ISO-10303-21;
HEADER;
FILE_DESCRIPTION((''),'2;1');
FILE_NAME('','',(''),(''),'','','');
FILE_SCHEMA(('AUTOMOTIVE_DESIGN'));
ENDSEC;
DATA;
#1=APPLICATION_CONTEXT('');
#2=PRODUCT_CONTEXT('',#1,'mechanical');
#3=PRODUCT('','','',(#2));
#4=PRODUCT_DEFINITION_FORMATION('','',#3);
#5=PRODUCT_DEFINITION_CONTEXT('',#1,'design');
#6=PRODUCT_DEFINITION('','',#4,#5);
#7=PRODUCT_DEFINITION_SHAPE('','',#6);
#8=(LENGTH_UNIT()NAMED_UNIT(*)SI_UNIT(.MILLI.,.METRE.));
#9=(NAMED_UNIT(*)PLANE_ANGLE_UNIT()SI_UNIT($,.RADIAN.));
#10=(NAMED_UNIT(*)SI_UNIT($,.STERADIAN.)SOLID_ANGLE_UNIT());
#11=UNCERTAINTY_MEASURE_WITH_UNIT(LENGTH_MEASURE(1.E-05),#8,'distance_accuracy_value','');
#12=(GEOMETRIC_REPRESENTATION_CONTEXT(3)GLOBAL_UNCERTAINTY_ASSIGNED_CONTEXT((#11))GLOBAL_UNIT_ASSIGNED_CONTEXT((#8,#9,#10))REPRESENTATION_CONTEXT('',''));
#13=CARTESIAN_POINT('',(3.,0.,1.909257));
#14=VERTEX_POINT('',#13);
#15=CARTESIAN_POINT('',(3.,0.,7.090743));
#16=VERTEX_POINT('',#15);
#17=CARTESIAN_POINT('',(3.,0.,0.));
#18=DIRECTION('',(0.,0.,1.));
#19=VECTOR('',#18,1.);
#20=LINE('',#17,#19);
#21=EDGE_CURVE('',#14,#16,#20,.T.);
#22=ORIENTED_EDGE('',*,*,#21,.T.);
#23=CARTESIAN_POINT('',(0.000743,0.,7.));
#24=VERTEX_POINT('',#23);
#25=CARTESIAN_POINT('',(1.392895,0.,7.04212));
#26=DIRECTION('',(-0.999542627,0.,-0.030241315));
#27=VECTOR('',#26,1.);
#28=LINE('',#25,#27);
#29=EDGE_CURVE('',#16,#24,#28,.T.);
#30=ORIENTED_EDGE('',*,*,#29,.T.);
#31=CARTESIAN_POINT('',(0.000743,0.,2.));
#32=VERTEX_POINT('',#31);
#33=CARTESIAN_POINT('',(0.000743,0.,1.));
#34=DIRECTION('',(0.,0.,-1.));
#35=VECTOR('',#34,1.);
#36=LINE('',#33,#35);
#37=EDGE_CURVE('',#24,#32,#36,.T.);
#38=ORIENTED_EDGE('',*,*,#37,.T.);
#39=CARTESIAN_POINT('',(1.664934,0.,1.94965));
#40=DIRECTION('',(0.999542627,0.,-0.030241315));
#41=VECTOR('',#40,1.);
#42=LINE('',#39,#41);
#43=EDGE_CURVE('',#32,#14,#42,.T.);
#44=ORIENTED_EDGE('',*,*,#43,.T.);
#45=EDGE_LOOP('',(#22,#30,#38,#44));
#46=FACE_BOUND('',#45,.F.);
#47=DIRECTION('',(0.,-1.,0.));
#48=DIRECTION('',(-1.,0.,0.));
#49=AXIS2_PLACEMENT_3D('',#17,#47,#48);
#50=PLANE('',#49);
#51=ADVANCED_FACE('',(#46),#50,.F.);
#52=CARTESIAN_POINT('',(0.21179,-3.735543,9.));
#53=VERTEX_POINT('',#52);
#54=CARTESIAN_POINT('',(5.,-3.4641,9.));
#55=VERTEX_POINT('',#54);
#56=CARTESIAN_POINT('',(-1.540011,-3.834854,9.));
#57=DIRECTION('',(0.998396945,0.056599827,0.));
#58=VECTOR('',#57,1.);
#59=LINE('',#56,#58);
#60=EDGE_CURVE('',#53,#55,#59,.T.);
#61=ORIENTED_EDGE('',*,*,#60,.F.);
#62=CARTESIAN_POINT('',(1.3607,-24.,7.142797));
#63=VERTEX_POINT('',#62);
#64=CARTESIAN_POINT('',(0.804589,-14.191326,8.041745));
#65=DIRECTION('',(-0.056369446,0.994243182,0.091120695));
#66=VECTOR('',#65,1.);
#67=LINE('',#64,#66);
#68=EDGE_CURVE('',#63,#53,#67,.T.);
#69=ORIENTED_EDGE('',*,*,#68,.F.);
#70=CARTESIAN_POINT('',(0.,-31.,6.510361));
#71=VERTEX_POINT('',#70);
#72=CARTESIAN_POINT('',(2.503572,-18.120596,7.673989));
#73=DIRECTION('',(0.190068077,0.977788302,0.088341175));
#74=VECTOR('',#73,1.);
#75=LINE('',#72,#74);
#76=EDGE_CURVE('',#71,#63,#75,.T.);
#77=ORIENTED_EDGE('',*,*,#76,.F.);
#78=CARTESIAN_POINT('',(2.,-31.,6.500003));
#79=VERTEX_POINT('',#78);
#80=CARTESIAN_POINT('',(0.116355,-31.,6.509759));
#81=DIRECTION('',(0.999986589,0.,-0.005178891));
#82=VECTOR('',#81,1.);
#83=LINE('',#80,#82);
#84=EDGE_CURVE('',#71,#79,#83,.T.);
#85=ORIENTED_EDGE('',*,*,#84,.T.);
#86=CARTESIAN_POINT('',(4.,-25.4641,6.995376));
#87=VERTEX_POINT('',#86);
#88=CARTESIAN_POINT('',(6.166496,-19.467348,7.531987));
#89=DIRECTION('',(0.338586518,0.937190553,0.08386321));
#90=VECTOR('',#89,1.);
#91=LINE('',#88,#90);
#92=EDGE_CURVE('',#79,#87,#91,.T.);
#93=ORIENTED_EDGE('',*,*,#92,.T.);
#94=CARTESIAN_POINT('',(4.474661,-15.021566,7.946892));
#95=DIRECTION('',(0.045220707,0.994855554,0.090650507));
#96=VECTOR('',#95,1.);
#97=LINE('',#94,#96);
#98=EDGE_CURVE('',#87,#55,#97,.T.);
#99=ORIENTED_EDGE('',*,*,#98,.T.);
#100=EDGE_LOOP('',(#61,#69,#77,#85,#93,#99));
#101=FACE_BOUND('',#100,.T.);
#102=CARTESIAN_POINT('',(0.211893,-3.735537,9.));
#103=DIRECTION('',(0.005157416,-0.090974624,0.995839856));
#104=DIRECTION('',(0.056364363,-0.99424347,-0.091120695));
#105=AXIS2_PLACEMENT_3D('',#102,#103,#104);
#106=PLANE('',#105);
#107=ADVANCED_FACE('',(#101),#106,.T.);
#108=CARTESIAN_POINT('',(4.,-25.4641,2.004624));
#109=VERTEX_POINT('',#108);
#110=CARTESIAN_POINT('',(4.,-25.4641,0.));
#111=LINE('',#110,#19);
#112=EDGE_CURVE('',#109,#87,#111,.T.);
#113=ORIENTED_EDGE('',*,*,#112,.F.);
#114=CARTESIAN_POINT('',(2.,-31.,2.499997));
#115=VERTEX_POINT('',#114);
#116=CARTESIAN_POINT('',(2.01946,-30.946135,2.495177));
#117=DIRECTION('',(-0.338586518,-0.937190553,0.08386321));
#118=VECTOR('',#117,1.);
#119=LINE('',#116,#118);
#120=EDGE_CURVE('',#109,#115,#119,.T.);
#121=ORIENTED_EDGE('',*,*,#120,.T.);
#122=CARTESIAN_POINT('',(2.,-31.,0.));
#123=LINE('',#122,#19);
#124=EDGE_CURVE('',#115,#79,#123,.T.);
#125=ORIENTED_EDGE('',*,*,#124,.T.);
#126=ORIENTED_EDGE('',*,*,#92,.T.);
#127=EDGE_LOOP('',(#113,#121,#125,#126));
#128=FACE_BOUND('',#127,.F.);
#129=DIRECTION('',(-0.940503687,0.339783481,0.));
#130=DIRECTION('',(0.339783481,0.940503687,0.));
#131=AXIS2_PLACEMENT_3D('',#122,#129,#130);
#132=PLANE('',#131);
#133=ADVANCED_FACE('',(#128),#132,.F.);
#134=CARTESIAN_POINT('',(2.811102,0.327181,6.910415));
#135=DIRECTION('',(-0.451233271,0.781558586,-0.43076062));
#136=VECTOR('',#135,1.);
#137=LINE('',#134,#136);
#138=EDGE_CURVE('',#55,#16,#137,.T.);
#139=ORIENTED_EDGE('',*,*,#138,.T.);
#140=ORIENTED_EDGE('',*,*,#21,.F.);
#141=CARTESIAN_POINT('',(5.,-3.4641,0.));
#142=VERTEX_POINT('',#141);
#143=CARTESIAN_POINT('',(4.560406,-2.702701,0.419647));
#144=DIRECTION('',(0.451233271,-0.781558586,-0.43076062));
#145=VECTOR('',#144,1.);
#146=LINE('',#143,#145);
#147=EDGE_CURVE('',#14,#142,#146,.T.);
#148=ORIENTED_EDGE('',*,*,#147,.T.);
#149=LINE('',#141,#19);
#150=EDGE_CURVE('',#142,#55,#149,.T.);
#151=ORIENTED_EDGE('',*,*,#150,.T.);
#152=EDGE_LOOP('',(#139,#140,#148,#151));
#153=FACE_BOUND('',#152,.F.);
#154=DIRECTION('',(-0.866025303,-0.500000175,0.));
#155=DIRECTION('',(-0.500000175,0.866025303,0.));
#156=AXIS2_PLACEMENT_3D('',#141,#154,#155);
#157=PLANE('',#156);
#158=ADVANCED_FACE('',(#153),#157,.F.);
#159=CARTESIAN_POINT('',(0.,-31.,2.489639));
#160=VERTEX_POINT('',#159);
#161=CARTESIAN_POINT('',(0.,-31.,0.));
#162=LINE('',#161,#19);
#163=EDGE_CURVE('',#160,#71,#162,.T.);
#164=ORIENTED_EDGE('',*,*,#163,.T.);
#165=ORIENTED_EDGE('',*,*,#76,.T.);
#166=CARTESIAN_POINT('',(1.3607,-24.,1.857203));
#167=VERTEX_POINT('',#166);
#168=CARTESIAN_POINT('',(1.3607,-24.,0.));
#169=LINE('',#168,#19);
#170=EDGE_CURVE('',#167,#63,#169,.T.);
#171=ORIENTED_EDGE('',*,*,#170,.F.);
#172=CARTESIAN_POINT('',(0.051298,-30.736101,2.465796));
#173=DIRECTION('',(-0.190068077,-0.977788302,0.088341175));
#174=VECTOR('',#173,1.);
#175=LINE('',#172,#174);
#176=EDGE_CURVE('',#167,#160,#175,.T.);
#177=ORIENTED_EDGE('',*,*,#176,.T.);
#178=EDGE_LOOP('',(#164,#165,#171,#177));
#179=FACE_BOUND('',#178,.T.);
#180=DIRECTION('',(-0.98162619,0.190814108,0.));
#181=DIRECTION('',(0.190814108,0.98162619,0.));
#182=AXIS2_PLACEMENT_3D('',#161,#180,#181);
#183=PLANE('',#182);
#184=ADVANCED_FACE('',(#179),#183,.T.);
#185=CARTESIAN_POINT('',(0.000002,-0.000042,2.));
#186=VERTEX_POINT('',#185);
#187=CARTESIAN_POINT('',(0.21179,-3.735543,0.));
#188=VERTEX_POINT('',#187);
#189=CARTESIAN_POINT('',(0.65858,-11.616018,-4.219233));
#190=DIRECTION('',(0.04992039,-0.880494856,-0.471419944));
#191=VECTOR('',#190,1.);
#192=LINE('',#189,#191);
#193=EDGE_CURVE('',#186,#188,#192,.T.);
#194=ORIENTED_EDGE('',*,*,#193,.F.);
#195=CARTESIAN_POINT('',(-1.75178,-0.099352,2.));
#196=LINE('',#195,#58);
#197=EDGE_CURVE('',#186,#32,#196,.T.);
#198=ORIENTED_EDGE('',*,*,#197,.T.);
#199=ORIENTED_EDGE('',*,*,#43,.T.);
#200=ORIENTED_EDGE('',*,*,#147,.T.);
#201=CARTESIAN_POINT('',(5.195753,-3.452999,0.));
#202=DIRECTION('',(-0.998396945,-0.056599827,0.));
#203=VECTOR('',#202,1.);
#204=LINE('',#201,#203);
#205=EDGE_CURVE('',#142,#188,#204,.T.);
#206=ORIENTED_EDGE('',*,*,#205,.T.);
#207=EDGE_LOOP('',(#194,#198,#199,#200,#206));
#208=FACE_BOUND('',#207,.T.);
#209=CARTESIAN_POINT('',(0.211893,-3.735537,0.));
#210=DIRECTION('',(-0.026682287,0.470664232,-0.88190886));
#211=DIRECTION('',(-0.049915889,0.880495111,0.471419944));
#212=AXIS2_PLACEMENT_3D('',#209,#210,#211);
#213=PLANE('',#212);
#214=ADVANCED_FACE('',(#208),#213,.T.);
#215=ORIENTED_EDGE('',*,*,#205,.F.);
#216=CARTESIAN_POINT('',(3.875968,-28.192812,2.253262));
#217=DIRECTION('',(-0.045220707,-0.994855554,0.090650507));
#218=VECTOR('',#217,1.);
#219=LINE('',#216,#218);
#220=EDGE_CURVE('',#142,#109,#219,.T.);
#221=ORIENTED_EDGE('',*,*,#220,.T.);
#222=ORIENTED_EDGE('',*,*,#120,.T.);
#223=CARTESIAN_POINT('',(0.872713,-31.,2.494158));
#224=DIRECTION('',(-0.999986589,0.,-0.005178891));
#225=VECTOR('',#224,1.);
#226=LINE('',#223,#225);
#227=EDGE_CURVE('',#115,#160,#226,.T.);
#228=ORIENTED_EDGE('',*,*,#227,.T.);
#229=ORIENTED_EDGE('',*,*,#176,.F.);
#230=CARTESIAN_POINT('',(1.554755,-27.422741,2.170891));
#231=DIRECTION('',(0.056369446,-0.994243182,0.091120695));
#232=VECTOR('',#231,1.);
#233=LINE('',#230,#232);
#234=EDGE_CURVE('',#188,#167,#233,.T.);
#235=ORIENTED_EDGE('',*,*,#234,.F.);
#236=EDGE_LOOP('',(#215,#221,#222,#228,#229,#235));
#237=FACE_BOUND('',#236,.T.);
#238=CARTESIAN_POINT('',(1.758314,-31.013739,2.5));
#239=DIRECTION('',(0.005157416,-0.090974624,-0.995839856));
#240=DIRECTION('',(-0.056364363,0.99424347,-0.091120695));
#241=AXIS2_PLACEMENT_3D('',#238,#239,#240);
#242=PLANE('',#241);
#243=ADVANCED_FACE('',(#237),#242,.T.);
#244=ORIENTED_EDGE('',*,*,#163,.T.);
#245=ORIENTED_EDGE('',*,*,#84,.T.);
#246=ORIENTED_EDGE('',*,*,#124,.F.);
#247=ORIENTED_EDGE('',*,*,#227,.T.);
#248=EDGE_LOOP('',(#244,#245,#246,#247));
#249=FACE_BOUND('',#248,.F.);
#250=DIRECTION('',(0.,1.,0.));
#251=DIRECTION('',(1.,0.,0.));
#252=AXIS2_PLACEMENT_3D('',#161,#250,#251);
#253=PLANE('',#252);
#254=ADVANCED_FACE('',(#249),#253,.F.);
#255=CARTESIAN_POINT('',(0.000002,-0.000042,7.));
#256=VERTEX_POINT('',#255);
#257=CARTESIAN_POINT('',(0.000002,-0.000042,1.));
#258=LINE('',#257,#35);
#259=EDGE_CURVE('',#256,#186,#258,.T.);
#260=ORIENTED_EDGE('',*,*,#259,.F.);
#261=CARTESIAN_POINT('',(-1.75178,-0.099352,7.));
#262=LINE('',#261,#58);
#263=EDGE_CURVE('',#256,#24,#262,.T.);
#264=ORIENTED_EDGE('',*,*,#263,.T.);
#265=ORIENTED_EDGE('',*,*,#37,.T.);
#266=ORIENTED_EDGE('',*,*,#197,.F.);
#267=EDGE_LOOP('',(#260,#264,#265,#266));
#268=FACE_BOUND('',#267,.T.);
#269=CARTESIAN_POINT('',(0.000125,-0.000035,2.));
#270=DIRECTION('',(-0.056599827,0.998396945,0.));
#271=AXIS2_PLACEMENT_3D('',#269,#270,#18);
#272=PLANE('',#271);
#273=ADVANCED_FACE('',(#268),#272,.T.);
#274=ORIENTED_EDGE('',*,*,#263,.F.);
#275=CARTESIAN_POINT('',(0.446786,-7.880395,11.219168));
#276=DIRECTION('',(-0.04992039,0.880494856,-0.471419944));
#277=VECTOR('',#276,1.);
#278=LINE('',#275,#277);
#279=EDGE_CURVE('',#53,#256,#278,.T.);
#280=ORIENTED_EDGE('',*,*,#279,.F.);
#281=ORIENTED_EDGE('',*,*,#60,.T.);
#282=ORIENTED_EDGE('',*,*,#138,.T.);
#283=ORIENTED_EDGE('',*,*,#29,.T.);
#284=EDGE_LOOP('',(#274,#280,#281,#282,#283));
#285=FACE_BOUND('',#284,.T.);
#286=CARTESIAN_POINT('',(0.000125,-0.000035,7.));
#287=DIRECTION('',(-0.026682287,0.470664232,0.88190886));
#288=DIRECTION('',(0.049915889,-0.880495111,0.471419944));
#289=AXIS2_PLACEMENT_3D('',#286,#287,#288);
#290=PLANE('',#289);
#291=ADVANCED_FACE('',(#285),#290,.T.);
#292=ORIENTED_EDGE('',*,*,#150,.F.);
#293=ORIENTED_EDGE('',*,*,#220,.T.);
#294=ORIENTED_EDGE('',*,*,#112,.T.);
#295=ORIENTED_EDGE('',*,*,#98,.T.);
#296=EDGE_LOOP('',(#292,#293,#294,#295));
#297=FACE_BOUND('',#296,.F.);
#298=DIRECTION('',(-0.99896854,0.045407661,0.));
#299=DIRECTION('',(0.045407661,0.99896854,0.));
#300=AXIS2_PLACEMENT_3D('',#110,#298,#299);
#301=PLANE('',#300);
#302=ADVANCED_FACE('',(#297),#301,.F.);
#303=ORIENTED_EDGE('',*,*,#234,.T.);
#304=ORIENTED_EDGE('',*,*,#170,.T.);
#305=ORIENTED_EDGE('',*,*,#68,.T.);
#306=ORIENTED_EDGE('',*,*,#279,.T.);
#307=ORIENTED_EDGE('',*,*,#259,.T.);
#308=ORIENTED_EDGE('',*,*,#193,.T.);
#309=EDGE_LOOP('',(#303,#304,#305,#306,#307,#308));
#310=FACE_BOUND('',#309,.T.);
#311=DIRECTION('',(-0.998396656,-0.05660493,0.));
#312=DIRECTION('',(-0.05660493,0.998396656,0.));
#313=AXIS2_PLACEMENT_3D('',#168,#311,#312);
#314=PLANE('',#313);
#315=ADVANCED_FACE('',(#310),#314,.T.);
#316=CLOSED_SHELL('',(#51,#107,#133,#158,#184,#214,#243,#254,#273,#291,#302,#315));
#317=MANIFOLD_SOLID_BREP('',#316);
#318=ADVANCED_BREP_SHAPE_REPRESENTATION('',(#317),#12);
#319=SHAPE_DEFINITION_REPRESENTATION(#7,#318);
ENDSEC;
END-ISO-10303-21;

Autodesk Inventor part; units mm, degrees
ref_plane "YZ Plane" through (0, 0, 0) normal (1, 0, 0) x (0, 1, 0)
ref_plane "XZ Plane" through (0, 0, 0) normal (0, 1, 0) x (-1, 0, 0)
ref_plane "XY Plane" through (0, 0, 0) normal (0, 0, 1) x (1, 0, 0)
sketch "Base" plane through (0, 0, 0) normal (0, 0, 1) x (1, 0, 0)
  line L0 (0, 0) -> (0, -31) construction
  line L1 (0, -31) -> (2, -31)
  line L2 (2, -31) -> (4, -25.4641)
  line L3 (5, -3.4641) -> (3, 0)
  line L4 (3, 0) -> (0, 0)
  line L5 (4, -25.4641) -> (5, -3.4641)
  line L6 (0, -31) -> (1.3607, -24)
  line L7 (1.3607, -24) -> (0, 0)
  dimension "d0" = 31
  dimension "d1" = 3
  dimension "d2" = 2
  dimension "d3" = 5
  dimension "d8" = 4
  dimension "d12" = 120
  dimension "d14" = 22
  dimension "d23" = 24
  dimension "d24" = 79
extrude "BaseFeature" add sketch "Base" along normal blind 9
sketch "TopProfile" plane through (1.3607, -24, 0) normal (-0.9984, -0.0566, 0) x (0, 0, 1)
  line L0 (0, 20.297) -> (9, 20.297) projected
  line L1 (2, 24.0385) -> (7, 24.0385)
  line L2 (7, 24.0385) -> (9, 20.297)
  line L3 (9, 20.297) -> (6.5, -7.025)
  line L4 (6.5, -7.025) -> (2.5, -7.025)
  line L5 (2.5, -7.025) -> (0, 20.297)
  line L6 (0, 20.297) -> (2, 24.0385)
  line L7 (0, 24.0385) -> (9, 24.0385) projected
  line L8 (0, -7.025) -> (9, -7.025) projected
  point P0 (4.5, 24.0385)
  point P1 (4.5, -7.025)
  dimension "d27" = 5
  dimension "d28" = 4
extrude "TopProfileFeature" cut sketch "TopProfile" along normal through all both and the other way through all keep common part
properties part number "DistalPhalangeIndexMiddle"
